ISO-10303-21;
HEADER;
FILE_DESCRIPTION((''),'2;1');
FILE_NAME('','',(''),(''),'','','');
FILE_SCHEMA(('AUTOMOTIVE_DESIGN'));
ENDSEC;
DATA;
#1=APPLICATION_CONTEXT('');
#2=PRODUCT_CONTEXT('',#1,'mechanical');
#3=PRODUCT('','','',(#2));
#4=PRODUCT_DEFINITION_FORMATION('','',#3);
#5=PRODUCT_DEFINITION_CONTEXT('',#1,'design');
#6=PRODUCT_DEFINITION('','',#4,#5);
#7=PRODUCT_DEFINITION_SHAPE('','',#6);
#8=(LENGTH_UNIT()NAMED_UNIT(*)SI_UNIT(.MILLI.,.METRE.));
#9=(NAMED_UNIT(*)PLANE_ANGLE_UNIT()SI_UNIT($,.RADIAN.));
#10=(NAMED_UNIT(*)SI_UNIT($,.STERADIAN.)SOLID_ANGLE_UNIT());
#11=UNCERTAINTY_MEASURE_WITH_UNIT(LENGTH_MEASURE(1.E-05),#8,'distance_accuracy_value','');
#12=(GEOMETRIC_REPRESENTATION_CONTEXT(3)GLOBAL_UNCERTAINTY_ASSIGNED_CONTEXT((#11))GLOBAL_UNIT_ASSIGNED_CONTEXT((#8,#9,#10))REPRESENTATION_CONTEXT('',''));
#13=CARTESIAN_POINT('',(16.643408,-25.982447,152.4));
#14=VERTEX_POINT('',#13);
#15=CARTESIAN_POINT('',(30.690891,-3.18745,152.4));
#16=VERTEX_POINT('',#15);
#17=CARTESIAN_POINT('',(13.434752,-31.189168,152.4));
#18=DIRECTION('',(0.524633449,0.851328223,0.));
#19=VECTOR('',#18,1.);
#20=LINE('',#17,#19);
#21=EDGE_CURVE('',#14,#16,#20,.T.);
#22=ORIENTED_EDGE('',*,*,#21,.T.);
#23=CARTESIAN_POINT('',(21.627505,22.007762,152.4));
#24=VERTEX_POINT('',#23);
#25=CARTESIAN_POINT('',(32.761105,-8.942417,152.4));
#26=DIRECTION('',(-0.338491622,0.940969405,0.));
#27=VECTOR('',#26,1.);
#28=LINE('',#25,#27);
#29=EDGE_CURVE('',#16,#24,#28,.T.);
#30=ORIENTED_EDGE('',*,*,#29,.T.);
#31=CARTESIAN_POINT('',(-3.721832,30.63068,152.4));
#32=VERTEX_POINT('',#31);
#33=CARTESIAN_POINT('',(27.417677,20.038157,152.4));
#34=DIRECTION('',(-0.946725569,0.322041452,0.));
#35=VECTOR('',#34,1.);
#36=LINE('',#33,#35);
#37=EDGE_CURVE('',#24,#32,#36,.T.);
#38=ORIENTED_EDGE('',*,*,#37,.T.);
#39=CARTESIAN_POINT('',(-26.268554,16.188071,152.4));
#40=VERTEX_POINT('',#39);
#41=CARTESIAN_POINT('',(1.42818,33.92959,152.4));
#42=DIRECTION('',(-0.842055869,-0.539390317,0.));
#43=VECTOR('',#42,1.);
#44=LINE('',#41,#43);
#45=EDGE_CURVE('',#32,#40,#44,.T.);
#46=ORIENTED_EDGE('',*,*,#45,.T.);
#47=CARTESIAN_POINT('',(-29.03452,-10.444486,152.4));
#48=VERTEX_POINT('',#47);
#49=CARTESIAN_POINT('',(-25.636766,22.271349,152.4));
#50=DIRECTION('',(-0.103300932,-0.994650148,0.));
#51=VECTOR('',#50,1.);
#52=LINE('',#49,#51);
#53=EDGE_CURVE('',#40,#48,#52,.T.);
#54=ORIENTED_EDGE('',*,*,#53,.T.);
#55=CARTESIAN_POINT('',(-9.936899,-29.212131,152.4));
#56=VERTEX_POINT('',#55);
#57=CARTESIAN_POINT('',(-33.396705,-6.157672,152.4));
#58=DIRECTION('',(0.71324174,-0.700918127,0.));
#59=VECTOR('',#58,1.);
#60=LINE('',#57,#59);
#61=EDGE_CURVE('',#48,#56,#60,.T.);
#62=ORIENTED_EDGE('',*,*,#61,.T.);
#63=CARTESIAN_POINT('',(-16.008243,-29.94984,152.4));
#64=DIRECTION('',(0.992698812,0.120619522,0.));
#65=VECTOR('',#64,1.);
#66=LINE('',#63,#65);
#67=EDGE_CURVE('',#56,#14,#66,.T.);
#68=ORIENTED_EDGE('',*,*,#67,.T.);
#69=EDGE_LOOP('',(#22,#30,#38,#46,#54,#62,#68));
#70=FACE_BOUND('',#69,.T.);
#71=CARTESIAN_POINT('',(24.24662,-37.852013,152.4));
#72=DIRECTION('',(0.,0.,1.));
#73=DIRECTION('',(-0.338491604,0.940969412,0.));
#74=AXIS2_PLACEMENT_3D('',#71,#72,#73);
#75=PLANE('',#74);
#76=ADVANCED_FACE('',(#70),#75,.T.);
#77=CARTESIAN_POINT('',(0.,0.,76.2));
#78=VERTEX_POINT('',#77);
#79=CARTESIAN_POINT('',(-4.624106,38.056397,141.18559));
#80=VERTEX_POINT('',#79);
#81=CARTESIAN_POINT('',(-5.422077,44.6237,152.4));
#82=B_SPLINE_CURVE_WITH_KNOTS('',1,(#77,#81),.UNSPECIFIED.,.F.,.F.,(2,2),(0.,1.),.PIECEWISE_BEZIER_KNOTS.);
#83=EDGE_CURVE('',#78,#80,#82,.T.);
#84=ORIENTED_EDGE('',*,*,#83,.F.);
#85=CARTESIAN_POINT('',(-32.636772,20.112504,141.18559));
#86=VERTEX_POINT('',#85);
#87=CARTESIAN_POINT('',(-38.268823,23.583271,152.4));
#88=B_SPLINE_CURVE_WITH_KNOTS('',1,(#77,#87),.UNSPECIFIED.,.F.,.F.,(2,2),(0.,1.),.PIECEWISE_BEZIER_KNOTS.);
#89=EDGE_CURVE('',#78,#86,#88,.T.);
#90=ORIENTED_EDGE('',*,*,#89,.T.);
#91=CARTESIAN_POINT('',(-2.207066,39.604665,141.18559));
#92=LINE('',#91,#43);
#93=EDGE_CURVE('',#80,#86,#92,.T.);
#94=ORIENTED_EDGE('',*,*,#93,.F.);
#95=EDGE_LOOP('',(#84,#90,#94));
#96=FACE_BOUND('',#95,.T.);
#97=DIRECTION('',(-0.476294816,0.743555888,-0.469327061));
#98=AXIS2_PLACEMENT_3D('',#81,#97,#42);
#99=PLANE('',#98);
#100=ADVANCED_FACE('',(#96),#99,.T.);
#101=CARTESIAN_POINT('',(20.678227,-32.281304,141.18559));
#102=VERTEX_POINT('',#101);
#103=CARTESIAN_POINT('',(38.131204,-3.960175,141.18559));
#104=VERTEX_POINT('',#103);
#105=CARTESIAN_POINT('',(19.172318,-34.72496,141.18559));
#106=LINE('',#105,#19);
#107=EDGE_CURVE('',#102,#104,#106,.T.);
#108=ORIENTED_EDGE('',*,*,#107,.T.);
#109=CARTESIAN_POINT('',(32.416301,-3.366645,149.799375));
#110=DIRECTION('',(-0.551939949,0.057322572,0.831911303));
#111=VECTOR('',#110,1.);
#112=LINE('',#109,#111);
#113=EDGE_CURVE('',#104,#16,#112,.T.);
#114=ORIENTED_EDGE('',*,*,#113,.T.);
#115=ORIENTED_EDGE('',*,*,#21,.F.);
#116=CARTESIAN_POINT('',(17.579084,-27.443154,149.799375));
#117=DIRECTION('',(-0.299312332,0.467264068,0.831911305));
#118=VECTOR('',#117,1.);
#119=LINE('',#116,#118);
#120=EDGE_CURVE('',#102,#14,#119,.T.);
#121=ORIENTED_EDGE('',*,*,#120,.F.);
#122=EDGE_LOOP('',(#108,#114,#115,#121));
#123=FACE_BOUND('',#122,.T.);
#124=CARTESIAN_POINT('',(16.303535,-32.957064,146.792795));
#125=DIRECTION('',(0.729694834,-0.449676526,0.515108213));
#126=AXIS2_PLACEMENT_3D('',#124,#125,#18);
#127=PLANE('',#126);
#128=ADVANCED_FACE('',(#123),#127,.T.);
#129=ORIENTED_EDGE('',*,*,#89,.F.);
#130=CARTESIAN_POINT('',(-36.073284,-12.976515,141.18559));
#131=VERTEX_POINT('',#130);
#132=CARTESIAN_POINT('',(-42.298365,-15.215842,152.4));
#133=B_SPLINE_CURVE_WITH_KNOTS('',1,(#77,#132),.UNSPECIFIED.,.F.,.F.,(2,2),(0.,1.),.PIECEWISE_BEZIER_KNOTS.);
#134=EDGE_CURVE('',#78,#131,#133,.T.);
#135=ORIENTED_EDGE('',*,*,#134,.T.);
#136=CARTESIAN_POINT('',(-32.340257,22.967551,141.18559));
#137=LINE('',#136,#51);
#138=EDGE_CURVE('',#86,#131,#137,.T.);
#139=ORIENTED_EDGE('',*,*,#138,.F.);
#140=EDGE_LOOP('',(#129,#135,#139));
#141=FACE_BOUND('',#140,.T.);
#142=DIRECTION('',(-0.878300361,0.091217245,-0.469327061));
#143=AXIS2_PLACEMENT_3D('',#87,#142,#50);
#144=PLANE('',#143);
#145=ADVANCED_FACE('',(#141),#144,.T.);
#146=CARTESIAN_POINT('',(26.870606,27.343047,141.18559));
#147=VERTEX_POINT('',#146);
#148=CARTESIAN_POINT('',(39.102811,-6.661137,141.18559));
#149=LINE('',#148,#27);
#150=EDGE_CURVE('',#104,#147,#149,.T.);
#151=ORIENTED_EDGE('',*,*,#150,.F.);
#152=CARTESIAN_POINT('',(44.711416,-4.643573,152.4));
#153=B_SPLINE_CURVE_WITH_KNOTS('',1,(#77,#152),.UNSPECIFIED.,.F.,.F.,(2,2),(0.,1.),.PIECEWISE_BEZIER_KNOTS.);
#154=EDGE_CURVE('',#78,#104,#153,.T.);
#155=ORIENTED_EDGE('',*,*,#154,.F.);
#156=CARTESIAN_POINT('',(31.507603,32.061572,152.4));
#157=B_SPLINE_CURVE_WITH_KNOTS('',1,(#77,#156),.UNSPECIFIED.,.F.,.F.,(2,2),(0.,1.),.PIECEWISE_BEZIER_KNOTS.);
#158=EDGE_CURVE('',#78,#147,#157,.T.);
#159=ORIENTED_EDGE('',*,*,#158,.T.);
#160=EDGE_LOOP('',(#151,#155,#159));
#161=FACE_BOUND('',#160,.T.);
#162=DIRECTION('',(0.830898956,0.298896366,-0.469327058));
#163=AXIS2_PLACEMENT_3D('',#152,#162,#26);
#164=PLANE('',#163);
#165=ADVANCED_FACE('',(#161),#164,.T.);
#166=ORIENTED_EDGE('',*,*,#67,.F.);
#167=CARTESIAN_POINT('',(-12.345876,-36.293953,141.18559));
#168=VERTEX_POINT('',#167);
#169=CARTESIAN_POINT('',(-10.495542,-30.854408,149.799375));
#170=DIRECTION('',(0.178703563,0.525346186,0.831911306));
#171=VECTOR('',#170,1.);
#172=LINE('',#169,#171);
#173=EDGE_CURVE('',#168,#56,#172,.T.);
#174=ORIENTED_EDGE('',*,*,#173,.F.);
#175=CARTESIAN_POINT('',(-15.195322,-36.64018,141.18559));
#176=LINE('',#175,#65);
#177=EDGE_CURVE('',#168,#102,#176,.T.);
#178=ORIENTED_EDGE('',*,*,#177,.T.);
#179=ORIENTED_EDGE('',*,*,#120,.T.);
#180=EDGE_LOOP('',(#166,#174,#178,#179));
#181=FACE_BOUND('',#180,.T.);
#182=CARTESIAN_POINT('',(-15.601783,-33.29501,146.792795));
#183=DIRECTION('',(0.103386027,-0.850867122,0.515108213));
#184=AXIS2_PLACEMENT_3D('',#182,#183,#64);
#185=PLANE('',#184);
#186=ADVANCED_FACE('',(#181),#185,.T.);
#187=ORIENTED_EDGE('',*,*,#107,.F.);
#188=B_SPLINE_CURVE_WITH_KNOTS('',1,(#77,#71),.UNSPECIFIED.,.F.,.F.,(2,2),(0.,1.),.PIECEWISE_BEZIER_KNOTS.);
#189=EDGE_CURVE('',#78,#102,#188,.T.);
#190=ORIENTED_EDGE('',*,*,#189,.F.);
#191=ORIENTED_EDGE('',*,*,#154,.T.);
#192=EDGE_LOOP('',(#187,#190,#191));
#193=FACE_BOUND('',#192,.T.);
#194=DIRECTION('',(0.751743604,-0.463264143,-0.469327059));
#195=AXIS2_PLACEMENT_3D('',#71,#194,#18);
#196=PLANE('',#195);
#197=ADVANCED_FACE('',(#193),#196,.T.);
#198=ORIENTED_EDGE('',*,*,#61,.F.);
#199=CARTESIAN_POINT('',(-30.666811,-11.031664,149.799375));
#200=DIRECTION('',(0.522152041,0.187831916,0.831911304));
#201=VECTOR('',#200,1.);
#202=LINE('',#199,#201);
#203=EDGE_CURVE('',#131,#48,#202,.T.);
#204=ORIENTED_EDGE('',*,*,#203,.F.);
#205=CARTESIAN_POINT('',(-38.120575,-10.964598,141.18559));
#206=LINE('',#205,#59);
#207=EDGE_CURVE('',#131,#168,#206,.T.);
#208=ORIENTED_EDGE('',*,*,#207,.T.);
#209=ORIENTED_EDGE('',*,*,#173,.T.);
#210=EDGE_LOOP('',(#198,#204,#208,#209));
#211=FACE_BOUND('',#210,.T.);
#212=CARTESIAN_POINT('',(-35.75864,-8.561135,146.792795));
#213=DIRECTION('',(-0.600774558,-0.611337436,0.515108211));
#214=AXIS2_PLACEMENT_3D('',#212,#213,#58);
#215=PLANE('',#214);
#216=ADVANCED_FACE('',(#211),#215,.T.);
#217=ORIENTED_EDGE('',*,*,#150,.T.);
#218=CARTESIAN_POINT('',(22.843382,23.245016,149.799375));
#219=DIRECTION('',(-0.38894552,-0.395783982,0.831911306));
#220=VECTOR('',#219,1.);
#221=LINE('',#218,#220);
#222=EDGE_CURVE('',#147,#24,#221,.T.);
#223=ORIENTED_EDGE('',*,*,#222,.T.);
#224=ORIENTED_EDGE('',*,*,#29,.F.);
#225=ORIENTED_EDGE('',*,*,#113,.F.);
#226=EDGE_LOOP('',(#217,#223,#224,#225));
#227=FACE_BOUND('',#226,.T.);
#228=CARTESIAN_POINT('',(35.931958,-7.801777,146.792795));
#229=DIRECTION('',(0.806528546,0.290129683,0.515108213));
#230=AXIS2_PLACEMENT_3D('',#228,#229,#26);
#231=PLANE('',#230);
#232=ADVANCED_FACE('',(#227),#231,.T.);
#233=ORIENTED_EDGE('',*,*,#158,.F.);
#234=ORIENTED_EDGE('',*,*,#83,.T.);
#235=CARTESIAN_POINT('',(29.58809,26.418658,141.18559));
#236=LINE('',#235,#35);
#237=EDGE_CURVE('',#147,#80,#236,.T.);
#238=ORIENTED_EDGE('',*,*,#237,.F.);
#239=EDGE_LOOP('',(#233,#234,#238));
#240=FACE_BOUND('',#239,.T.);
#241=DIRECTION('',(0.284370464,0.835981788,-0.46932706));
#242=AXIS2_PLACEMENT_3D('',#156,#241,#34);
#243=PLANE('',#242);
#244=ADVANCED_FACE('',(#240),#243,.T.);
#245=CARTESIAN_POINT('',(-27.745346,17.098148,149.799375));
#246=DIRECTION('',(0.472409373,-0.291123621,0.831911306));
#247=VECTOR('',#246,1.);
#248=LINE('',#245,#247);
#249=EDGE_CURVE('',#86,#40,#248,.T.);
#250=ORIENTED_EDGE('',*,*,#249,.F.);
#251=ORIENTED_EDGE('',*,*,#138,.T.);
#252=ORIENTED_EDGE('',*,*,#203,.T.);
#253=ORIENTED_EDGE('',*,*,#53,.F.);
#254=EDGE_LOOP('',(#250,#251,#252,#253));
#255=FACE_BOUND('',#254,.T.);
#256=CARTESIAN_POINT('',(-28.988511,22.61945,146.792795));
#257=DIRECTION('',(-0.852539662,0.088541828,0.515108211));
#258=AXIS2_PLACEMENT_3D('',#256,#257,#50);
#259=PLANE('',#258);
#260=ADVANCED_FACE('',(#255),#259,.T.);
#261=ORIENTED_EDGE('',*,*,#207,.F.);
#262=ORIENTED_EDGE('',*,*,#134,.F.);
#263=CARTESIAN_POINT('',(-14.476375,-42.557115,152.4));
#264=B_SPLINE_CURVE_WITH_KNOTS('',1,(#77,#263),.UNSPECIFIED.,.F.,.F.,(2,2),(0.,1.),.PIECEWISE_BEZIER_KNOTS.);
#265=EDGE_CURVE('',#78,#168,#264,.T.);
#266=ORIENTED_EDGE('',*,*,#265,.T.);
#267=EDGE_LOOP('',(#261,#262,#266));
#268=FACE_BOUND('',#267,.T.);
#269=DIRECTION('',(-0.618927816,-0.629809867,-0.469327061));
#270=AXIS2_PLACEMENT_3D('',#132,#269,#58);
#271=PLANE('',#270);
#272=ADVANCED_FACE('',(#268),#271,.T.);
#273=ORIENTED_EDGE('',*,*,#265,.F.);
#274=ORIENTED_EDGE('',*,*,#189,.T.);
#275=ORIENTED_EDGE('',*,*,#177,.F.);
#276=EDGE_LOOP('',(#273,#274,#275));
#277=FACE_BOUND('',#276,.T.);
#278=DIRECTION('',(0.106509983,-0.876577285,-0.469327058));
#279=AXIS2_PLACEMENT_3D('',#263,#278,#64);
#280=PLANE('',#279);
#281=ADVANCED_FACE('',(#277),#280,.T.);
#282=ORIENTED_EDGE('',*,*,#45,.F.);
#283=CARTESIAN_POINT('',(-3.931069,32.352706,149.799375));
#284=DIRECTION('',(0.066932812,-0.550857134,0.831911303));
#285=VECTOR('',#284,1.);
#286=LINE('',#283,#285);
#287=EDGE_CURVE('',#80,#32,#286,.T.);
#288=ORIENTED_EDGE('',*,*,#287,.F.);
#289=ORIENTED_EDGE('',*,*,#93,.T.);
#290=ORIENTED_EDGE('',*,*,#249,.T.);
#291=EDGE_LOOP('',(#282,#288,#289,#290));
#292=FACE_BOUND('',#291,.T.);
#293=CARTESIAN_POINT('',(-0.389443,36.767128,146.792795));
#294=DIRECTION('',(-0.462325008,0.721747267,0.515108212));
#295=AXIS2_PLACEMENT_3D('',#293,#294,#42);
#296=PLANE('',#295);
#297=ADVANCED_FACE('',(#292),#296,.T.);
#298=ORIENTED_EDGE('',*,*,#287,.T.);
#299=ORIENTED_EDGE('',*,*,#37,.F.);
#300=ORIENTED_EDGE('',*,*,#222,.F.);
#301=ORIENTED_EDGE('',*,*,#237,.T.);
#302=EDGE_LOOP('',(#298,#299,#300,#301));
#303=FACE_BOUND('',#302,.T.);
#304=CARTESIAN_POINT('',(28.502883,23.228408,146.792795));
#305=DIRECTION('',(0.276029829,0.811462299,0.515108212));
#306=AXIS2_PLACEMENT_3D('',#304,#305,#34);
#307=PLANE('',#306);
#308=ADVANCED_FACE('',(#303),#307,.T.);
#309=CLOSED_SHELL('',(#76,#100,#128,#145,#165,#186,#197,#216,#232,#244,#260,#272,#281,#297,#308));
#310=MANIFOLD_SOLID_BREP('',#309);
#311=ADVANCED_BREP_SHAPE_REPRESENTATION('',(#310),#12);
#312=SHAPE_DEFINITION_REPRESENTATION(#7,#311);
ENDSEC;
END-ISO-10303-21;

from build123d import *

# Parameters (mm, degrees)
F5_SIZE = 12.7


with BuildPart() as f4:
    # F3 (on offset) → F4 section 0
    with BuildSketch(Plane.XY.offset(152.4), mode=Mode.PRIVATE) as f4_s0:
        Polygon((24.24662, -37.852013), (44.711416, -4.643573), (31.507603, 32.061572), (-5.422077, 44.6237), (-38.268823, 23.583271), (-42.298365, -15.215842), (-14.476375, -42.557115), align=None)
    loft([Vertex(0, 0, 76.2), f4_s0.sketch])

    # F5
    f5_edges = [f4.edges().sort_by_distance(p)[0] for p in [
        (-21.84545, 34.103485, 152.4),
        (-40.283594, 4.183715, 152.4),
        (-28.38737, -28.886479, 152.4),
        (4.885123, -40.204564, 152.4),
        (34.479018, -21.247793, 152.4),
        (38.10951, 13.709, 152.4),
        (13.042763, 38.342636, 152.4),
    ]]
    chamfer(f5_edges, length=F5_SIZE)


solid = f4.part
